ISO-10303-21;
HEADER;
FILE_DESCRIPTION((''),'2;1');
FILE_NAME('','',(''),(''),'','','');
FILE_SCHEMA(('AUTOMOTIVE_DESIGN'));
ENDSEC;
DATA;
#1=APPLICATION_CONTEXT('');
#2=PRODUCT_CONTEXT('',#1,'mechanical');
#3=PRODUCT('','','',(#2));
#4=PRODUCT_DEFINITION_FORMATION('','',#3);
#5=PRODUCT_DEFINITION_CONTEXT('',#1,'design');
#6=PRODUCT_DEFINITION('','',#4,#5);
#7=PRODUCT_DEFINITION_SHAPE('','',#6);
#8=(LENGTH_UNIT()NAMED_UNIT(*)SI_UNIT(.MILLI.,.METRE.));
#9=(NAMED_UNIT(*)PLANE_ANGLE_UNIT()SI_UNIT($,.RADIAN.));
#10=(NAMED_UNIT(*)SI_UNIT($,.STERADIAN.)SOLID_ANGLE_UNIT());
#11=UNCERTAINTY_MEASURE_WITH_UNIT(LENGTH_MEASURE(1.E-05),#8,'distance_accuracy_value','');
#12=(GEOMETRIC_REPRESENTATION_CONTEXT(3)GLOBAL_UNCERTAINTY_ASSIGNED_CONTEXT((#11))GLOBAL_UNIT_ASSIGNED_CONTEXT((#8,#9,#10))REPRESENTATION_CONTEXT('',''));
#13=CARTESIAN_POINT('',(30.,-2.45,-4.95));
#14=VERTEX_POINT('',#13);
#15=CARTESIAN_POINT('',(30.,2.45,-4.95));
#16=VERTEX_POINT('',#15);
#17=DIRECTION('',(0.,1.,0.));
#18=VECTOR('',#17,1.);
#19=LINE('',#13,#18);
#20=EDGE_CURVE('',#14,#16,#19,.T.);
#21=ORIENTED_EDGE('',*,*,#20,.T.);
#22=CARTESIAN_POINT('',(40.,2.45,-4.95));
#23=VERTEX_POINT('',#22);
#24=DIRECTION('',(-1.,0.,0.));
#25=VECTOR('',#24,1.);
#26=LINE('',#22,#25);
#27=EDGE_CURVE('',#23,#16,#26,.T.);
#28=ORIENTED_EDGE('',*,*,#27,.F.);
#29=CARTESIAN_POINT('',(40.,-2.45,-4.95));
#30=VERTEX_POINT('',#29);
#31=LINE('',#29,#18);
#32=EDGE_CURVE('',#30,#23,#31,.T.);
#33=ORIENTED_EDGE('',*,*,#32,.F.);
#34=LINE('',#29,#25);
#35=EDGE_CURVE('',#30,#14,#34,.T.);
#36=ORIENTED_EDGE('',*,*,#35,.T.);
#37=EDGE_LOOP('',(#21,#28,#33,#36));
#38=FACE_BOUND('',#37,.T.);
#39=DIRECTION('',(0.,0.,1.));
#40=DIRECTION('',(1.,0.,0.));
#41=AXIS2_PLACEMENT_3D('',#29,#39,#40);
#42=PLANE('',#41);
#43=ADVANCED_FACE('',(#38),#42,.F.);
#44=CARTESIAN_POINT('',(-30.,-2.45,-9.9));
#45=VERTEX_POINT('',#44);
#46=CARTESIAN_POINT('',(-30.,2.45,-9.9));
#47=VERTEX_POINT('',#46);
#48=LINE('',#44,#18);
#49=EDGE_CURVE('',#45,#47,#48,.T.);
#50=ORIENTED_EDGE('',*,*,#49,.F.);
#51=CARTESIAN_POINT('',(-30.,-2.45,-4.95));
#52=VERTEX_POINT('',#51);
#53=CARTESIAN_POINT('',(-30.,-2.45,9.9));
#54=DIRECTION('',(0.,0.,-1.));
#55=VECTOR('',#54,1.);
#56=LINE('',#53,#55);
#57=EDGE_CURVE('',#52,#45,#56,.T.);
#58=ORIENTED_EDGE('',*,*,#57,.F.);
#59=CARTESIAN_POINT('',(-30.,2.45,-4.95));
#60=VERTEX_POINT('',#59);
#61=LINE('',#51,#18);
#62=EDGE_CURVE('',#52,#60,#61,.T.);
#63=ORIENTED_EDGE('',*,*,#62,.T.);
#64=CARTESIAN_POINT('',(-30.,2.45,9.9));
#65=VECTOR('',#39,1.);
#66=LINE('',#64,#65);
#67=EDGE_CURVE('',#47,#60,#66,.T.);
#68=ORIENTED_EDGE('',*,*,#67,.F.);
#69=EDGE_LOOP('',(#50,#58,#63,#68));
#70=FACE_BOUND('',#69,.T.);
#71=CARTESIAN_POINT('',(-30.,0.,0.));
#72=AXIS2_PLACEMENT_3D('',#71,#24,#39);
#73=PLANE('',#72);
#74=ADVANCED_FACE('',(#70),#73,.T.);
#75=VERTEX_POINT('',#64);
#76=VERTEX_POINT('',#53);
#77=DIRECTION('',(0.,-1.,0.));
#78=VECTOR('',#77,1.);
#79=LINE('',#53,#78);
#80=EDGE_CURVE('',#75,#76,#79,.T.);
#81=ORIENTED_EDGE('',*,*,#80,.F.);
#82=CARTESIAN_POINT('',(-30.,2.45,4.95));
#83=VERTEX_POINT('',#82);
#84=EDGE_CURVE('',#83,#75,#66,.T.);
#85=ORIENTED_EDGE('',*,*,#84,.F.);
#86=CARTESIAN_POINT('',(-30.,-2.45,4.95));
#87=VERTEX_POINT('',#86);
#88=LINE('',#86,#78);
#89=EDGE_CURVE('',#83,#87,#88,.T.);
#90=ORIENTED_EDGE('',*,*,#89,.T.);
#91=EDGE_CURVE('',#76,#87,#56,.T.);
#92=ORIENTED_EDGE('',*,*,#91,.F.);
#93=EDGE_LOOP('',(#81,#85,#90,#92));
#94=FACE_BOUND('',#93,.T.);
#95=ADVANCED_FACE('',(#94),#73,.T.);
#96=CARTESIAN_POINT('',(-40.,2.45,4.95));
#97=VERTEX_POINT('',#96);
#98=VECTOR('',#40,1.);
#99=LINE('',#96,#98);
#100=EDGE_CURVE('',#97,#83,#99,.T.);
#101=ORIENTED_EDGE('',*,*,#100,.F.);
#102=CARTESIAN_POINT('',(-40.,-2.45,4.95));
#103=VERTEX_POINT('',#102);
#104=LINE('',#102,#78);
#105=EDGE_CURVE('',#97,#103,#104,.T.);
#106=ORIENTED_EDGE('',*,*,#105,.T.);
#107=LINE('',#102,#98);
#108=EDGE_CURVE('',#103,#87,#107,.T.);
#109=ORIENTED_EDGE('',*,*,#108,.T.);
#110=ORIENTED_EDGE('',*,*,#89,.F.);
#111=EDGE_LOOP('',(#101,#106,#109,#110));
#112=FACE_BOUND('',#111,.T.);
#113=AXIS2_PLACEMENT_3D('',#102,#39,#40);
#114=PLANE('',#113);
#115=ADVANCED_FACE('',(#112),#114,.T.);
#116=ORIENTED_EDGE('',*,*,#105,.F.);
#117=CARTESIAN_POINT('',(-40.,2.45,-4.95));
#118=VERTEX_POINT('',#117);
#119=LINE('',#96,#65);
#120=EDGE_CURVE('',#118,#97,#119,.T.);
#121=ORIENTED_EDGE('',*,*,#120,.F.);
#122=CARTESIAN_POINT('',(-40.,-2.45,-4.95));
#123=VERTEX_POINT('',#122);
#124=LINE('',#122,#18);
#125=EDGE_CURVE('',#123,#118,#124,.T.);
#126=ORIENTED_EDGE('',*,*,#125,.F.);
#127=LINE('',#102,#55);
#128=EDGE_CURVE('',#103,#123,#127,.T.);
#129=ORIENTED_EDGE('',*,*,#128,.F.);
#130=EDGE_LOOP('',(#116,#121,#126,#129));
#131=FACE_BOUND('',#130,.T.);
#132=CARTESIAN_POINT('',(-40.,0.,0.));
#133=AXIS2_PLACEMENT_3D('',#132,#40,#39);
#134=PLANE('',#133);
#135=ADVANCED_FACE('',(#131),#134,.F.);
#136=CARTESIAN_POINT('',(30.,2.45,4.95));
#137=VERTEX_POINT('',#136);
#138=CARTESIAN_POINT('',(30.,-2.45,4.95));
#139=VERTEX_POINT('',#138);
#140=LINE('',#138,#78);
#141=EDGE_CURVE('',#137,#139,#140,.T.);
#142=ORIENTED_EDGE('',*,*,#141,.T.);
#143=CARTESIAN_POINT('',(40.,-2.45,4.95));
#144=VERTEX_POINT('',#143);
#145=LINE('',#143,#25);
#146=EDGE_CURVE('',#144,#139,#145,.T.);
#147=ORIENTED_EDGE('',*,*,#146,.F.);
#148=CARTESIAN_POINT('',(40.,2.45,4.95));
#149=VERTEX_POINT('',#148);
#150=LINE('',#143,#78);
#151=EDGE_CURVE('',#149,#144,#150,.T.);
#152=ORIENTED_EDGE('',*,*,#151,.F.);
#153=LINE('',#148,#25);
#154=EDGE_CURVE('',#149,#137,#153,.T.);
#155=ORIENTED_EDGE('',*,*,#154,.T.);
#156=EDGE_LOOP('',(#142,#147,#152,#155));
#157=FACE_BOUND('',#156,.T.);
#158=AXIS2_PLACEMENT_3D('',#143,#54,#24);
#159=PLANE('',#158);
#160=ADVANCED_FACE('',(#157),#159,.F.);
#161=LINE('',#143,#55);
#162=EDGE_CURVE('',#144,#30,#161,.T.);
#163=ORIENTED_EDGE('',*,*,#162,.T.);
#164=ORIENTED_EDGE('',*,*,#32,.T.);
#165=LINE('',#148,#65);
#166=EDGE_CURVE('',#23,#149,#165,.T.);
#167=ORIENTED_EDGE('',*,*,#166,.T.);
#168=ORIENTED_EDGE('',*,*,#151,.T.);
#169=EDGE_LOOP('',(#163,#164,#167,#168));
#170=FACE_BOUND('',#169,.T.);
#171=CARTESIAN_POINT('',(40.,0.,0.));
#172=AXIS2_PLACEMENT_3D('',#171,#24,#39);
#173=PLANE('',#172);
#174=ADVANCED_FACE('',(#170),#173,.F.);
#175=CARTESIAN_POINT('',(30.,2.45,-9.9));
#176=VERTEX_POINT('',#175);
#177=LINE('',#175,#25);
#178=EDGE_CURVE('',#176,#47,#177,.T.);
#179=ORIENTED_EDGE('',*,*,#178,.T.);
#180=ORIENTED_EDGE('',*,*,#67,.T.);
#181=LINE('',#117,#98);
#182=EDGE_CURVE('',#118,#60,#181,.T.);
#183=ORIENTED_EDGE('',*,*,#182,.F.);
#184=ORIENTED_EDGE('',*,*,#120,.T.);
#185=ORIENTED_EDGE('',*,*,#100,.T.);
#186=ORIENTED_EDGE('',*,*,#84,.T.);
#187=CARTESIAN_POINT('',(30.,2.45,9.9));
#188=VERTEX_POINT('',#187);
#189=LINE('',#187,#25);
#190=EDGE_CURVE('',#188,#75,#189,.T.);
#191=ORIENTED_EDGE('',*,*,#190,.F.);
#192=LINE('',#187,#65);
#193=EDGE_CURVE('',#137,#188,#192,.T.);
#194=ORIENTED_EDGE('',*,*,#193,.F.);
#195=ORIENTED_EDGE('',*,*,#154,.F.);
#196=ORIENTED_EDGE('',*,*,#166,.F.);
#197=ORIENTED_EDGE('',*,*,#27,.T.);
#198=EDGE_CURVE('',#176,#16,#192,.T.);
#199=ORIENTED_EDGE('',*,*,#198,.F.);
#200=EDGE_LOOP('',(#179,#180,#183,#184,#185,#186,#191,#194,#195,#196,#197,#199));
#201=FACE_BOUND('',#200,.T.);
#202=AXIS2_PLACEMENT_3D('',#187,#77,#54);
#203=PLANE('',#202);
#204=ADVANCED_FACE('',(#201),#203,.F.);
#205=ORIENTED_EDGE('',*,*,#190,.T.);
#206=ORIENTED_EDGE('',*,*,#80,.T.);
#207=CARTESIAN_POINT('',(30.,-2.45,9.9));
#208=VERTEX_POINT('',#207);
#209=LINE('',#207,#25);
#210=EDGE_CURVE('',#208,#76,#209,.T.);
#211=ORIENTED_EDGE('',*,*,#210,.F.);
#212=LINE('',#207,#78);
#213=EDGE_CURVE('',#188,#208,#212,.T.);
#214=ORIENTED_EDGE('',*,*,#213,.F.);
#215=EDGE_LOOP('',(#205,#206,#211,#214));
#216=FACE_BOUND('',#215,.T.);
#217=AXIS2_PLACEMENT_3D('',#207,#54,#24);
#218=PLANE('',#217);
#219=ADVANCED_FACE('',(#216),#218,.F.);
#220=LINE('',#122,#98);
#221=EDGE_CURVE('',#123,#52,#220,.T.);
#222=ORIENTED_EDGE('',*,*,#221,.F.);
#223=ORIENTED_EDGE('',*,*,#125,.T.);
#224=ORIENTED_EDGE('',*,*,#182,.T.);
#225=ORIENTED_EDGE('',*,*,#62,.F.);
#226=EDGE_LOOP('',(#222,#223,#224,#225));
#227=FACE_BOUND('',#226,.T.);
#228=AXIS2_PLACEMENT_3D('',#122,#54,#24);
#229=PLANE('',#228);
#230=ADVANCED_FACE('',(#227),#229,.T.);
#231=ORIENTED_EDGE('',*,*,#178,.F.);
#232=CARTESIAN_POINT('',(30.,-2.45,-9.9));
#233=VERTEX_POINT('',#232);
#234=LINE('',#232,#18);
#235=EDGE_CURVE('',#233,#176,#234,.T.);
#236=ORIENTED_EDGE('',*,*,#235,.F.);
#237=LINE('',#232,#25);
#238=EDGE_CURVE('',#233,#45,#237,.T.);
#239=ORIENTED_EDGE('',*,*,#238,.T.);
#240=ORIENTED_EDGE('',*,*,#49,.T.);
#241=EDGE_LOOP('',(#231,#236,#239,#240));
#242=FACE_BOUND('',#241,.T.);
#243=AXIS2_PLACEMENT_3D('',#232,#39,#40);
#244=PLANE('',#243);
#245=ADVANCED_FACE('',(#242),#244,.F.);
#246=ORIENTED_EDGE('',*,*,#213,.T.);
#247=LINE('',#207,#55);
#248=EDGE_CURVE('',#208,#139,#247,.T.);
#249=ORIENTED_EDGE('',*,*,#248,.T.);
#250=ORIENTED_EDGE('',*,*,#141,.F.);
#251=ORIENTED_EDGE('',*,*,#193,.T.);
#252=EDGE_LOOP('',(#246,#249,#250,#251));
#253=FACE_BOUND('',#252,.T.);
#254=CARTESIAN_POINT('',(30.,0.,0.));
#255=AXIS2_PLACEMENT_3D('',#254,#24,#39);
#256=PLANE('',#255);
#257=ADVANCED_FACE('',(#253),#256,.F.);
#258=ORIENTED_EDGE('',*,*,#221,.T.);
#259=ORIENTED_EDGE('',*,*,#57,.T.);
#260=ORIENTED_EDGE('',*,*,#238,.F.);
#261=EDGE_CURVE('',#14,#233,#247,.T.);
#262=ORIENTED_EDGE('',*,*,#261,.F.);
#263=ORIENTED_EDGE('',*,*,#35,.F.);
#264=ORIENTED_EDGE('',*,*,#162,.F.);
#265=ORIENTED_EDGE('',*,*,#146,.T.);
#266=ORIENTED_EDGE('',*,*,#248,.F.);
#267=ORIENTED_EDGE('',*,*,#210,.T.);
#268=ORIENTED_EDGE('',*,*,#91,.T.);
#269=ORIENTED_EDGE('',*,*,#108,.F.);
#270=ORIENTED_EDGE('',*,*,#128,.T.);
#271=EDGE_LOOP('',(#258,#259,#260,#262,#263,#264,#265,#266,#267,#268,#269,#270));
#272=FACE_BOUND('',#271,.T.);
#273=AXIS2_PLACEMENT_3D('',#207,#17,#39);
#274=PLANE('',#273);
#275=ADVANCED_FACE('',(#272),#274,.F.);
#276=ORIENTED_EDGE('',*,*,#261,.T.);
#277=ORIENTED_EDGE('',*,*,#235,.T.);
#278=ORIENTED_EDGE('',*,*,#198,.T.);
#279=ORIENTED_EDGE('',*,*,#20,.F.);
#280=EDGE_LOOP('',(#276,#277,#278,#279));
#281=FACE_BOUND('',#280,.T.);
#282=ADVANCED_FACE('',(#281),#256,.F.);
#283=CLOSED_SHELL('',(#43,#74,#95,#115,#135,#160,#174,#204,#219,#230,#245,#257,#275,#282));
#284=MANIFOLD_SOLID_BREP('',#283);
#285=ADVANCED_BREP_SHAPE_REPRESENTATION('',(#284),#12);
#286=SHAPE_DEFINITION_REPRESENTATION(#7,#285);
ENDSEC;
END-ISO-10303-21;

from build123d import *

# Parameters (mm, degrees)
SKETCH1_W           = 19.8
SKETCH1_H           = 4.9
BOSS_EXTRUDE1_DEPTH = 30
SKETCH2_W           = 9.9
SKETCH2_H           = 4.9
BOSS_EXTRUDE2_DEPTH = 10


with BuildPart() as part:
    # Sketch1 → Boss-Extrude1 (new, symmetric)
    with BuildSketch(Plane(origin=(0, 0, 0), x_dir=(0, 0, -1), z_dir=(1, 0, 0))):
        Rectangle(SKETCH1_W, SKETCH1_H)
    extrude(amount=BOSS_EXTRUDE1_DEPTH, both=True)

    # Sketch2 → Boss-Extrude2 (add)
    with BuildSketch(Plane(origin=(30, 0, 0), x_dir=(0, 0, -1), z_dir=(1, 0, 0))):
        Rectangle(SKETCH2_W, SKETCH2_H)
    boss_extrude2 = extrude(amount=BOSS_EXTRUDE2_DEPTH)

    # Mirror1: Boss-Extrude2 across plane
    add(boss_extrude2.mirror(Plane(origin=(0, 0, 0), x_dir=(0, 0, 1), z_dir=(1, 0, 0))))


solid = part.part
